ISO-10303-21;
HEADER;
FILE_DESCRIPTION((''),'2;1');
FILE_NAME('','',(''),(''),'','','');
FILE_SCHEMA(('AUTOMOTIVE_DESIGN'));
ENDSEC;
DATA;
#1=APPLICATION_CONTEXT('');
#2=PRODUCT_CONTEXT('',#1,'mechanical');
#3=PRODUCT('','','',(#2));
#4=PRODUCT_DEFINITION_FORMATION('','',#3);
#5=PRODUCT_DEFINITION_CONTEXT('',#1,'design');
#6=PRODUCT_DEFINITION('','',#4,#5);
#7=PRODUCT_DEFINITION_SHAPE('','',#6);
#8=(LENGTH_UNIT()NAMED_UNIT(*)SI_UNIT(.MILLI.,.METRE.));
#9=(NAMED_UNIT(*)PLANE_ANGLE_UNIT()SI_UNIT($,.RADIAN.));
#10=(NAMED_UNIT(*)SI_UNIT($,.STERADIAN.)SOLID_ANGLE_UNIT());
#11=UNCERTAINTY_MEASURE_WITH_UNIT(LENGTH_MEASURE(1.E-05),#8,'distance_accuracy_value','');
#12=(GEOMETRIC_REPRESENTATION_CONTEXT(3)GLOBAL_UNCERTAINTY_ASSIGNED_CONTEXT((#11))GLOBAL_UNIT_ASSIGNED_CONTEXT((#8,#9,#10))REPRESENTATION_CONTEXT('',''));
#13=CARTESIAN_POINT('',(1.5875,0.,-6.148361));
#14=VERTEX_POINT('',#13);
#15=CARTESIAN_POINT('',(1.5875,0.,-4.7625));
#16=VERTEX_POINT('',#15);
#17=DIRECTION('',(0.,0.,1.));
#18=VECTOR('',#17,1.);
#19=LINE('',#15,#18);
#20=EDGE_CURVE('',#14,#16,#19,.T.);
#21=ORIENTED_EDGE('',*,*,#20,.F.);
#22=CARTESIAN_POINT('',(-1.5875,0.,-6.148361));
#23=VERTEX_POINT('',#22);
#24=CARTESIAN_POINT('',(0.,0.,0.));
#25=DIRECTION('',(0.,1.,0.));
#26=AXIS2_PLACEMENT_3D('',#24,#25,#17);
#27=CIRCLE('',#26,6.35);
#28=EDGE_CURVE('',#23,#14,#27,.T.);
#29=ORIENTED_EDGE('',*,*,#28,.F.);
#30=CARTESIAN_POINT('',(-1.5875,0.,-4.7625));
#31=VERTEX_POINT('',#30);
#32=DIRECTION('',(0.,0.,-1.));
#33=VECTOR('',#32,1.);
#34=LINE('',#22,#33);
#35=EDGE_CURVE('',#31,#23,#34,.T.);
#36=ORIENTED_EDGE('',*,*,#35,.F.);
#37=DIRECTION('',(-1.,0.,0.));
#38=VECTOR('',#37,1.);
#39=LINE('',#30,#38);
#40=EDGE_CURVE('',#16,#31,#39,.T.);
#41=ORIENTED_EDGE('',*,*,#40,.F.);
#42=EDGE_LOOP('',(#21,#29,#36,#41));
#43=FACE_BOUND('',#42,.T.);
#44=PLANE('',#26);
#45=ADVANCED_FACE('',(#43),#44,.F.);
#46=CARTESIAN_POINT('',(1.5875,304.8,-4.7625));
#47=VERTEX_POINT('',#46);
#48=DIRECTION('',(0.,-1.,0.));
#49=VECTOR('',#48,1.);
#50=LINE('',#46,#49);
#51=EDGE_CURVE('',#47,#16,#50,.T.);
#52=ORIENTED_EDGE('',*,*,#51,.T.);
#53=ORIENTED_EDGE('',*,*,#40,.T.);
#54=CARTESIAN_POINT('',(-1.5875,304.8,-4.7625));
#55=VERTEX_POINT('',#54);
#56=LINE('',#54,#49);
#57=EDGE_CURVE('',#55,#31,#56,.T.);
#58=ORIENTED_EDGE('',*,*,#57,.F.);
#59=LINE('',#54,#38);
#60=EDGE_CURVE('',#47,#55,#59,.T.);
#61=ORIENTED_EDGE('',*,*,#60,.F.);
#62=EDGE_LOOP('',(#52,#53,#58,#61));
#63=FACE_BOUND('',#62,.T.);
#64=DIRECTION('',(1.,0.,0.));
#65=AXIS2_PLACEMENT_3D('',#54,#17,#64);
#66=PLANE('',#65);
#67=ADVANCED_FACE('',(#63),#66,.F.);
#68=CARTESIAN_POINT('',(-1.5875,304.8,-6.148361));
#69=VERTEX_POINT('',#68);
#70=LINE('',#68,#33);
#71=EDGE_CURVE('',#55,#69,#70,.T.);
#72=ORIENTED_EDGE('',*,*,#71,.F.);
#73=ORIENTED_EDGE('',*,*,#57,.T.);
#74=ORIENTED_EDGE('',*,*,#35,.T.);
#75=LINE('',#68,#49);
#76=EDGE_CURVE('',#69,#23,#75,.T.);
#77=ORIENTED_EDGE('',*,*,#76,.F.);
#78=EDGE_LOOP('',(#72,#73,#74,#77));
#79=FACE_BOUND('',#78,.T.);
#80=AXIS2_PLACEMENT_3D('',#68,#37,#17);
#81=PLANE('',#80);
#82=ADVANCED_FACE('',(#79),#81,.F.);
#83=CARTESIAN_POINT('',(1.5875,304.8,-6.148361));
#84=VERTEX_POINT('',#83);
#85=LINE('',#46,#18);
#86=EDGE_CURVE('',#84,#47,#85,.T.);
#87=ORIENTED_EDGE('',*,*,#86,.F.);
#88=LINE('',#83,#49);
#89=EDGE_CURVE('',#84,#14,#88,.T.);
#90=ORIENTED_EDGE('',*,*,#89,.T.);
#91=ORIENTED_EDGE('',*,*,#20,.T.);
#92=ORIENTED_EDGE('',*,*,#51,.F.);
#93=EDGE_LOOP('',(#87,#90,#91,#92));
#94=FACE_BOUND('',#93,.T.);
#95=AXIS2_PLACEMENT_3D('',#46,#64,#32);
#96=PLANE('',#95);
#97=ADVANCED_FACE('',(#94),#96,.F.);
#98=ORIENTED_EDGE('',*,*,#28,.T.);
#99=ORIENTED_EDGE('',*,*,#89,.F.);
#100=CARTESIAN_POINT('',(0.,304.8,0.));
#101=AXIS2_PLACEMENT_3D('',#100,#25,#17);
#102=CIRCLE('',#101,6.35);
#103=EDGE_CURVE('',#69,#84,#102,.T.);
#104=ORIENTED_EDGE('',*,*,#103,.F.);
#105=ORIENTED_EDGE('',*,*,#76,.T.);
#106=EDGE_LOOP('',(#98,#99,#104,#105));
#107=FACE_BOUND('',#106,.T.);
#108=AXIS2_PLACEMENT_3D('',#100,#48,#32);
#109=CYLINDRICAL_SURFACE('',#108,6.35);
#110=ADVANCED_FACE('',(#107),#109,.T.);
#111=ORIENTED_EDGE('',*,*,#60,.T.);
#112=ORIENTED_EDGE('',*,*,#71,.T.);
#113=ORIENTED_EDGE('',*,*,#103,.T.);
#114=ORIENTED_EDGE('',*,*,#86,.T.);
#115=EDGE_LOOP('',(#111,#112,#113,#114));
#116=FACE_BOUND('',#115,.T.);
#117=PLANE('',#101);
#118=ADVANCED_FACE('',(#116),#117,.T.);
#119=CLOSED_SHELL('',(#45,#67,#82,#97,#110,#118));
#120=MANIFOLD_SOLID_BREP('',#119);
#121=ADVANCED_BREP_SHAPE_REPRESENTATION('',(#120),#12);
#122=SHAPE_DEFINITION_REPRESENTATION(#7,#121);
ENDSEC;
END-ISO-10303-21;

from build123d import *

# Parameters (mm, degrees)
EXTRUDE1_DEPTH = 304.8


with BuildPart() as part:
    # Sketch1 → Extrude1 (new body)
    with BuildSketch(Plane(origin=(0, 0, 0), x_dir=(1, 0, 0), z_dir=(0, 1, 0))):
        with BuildLine():
            Line((-1.5875, 6.148361062), (-1.5875, 4.7625))
            Line((-1.5875, 4.7625), (1.5875, 4.7625))
            Line((1.5875, 4.7625), (1.5875, 6.148361062))
            ThreePointArc((1.5875, 6.148361062), (0, -6.35), (-1.5875, 6.148361062))
        make_face()
    extrude(amount=EXTRUDE1_DEPTH)


solid = part.part
